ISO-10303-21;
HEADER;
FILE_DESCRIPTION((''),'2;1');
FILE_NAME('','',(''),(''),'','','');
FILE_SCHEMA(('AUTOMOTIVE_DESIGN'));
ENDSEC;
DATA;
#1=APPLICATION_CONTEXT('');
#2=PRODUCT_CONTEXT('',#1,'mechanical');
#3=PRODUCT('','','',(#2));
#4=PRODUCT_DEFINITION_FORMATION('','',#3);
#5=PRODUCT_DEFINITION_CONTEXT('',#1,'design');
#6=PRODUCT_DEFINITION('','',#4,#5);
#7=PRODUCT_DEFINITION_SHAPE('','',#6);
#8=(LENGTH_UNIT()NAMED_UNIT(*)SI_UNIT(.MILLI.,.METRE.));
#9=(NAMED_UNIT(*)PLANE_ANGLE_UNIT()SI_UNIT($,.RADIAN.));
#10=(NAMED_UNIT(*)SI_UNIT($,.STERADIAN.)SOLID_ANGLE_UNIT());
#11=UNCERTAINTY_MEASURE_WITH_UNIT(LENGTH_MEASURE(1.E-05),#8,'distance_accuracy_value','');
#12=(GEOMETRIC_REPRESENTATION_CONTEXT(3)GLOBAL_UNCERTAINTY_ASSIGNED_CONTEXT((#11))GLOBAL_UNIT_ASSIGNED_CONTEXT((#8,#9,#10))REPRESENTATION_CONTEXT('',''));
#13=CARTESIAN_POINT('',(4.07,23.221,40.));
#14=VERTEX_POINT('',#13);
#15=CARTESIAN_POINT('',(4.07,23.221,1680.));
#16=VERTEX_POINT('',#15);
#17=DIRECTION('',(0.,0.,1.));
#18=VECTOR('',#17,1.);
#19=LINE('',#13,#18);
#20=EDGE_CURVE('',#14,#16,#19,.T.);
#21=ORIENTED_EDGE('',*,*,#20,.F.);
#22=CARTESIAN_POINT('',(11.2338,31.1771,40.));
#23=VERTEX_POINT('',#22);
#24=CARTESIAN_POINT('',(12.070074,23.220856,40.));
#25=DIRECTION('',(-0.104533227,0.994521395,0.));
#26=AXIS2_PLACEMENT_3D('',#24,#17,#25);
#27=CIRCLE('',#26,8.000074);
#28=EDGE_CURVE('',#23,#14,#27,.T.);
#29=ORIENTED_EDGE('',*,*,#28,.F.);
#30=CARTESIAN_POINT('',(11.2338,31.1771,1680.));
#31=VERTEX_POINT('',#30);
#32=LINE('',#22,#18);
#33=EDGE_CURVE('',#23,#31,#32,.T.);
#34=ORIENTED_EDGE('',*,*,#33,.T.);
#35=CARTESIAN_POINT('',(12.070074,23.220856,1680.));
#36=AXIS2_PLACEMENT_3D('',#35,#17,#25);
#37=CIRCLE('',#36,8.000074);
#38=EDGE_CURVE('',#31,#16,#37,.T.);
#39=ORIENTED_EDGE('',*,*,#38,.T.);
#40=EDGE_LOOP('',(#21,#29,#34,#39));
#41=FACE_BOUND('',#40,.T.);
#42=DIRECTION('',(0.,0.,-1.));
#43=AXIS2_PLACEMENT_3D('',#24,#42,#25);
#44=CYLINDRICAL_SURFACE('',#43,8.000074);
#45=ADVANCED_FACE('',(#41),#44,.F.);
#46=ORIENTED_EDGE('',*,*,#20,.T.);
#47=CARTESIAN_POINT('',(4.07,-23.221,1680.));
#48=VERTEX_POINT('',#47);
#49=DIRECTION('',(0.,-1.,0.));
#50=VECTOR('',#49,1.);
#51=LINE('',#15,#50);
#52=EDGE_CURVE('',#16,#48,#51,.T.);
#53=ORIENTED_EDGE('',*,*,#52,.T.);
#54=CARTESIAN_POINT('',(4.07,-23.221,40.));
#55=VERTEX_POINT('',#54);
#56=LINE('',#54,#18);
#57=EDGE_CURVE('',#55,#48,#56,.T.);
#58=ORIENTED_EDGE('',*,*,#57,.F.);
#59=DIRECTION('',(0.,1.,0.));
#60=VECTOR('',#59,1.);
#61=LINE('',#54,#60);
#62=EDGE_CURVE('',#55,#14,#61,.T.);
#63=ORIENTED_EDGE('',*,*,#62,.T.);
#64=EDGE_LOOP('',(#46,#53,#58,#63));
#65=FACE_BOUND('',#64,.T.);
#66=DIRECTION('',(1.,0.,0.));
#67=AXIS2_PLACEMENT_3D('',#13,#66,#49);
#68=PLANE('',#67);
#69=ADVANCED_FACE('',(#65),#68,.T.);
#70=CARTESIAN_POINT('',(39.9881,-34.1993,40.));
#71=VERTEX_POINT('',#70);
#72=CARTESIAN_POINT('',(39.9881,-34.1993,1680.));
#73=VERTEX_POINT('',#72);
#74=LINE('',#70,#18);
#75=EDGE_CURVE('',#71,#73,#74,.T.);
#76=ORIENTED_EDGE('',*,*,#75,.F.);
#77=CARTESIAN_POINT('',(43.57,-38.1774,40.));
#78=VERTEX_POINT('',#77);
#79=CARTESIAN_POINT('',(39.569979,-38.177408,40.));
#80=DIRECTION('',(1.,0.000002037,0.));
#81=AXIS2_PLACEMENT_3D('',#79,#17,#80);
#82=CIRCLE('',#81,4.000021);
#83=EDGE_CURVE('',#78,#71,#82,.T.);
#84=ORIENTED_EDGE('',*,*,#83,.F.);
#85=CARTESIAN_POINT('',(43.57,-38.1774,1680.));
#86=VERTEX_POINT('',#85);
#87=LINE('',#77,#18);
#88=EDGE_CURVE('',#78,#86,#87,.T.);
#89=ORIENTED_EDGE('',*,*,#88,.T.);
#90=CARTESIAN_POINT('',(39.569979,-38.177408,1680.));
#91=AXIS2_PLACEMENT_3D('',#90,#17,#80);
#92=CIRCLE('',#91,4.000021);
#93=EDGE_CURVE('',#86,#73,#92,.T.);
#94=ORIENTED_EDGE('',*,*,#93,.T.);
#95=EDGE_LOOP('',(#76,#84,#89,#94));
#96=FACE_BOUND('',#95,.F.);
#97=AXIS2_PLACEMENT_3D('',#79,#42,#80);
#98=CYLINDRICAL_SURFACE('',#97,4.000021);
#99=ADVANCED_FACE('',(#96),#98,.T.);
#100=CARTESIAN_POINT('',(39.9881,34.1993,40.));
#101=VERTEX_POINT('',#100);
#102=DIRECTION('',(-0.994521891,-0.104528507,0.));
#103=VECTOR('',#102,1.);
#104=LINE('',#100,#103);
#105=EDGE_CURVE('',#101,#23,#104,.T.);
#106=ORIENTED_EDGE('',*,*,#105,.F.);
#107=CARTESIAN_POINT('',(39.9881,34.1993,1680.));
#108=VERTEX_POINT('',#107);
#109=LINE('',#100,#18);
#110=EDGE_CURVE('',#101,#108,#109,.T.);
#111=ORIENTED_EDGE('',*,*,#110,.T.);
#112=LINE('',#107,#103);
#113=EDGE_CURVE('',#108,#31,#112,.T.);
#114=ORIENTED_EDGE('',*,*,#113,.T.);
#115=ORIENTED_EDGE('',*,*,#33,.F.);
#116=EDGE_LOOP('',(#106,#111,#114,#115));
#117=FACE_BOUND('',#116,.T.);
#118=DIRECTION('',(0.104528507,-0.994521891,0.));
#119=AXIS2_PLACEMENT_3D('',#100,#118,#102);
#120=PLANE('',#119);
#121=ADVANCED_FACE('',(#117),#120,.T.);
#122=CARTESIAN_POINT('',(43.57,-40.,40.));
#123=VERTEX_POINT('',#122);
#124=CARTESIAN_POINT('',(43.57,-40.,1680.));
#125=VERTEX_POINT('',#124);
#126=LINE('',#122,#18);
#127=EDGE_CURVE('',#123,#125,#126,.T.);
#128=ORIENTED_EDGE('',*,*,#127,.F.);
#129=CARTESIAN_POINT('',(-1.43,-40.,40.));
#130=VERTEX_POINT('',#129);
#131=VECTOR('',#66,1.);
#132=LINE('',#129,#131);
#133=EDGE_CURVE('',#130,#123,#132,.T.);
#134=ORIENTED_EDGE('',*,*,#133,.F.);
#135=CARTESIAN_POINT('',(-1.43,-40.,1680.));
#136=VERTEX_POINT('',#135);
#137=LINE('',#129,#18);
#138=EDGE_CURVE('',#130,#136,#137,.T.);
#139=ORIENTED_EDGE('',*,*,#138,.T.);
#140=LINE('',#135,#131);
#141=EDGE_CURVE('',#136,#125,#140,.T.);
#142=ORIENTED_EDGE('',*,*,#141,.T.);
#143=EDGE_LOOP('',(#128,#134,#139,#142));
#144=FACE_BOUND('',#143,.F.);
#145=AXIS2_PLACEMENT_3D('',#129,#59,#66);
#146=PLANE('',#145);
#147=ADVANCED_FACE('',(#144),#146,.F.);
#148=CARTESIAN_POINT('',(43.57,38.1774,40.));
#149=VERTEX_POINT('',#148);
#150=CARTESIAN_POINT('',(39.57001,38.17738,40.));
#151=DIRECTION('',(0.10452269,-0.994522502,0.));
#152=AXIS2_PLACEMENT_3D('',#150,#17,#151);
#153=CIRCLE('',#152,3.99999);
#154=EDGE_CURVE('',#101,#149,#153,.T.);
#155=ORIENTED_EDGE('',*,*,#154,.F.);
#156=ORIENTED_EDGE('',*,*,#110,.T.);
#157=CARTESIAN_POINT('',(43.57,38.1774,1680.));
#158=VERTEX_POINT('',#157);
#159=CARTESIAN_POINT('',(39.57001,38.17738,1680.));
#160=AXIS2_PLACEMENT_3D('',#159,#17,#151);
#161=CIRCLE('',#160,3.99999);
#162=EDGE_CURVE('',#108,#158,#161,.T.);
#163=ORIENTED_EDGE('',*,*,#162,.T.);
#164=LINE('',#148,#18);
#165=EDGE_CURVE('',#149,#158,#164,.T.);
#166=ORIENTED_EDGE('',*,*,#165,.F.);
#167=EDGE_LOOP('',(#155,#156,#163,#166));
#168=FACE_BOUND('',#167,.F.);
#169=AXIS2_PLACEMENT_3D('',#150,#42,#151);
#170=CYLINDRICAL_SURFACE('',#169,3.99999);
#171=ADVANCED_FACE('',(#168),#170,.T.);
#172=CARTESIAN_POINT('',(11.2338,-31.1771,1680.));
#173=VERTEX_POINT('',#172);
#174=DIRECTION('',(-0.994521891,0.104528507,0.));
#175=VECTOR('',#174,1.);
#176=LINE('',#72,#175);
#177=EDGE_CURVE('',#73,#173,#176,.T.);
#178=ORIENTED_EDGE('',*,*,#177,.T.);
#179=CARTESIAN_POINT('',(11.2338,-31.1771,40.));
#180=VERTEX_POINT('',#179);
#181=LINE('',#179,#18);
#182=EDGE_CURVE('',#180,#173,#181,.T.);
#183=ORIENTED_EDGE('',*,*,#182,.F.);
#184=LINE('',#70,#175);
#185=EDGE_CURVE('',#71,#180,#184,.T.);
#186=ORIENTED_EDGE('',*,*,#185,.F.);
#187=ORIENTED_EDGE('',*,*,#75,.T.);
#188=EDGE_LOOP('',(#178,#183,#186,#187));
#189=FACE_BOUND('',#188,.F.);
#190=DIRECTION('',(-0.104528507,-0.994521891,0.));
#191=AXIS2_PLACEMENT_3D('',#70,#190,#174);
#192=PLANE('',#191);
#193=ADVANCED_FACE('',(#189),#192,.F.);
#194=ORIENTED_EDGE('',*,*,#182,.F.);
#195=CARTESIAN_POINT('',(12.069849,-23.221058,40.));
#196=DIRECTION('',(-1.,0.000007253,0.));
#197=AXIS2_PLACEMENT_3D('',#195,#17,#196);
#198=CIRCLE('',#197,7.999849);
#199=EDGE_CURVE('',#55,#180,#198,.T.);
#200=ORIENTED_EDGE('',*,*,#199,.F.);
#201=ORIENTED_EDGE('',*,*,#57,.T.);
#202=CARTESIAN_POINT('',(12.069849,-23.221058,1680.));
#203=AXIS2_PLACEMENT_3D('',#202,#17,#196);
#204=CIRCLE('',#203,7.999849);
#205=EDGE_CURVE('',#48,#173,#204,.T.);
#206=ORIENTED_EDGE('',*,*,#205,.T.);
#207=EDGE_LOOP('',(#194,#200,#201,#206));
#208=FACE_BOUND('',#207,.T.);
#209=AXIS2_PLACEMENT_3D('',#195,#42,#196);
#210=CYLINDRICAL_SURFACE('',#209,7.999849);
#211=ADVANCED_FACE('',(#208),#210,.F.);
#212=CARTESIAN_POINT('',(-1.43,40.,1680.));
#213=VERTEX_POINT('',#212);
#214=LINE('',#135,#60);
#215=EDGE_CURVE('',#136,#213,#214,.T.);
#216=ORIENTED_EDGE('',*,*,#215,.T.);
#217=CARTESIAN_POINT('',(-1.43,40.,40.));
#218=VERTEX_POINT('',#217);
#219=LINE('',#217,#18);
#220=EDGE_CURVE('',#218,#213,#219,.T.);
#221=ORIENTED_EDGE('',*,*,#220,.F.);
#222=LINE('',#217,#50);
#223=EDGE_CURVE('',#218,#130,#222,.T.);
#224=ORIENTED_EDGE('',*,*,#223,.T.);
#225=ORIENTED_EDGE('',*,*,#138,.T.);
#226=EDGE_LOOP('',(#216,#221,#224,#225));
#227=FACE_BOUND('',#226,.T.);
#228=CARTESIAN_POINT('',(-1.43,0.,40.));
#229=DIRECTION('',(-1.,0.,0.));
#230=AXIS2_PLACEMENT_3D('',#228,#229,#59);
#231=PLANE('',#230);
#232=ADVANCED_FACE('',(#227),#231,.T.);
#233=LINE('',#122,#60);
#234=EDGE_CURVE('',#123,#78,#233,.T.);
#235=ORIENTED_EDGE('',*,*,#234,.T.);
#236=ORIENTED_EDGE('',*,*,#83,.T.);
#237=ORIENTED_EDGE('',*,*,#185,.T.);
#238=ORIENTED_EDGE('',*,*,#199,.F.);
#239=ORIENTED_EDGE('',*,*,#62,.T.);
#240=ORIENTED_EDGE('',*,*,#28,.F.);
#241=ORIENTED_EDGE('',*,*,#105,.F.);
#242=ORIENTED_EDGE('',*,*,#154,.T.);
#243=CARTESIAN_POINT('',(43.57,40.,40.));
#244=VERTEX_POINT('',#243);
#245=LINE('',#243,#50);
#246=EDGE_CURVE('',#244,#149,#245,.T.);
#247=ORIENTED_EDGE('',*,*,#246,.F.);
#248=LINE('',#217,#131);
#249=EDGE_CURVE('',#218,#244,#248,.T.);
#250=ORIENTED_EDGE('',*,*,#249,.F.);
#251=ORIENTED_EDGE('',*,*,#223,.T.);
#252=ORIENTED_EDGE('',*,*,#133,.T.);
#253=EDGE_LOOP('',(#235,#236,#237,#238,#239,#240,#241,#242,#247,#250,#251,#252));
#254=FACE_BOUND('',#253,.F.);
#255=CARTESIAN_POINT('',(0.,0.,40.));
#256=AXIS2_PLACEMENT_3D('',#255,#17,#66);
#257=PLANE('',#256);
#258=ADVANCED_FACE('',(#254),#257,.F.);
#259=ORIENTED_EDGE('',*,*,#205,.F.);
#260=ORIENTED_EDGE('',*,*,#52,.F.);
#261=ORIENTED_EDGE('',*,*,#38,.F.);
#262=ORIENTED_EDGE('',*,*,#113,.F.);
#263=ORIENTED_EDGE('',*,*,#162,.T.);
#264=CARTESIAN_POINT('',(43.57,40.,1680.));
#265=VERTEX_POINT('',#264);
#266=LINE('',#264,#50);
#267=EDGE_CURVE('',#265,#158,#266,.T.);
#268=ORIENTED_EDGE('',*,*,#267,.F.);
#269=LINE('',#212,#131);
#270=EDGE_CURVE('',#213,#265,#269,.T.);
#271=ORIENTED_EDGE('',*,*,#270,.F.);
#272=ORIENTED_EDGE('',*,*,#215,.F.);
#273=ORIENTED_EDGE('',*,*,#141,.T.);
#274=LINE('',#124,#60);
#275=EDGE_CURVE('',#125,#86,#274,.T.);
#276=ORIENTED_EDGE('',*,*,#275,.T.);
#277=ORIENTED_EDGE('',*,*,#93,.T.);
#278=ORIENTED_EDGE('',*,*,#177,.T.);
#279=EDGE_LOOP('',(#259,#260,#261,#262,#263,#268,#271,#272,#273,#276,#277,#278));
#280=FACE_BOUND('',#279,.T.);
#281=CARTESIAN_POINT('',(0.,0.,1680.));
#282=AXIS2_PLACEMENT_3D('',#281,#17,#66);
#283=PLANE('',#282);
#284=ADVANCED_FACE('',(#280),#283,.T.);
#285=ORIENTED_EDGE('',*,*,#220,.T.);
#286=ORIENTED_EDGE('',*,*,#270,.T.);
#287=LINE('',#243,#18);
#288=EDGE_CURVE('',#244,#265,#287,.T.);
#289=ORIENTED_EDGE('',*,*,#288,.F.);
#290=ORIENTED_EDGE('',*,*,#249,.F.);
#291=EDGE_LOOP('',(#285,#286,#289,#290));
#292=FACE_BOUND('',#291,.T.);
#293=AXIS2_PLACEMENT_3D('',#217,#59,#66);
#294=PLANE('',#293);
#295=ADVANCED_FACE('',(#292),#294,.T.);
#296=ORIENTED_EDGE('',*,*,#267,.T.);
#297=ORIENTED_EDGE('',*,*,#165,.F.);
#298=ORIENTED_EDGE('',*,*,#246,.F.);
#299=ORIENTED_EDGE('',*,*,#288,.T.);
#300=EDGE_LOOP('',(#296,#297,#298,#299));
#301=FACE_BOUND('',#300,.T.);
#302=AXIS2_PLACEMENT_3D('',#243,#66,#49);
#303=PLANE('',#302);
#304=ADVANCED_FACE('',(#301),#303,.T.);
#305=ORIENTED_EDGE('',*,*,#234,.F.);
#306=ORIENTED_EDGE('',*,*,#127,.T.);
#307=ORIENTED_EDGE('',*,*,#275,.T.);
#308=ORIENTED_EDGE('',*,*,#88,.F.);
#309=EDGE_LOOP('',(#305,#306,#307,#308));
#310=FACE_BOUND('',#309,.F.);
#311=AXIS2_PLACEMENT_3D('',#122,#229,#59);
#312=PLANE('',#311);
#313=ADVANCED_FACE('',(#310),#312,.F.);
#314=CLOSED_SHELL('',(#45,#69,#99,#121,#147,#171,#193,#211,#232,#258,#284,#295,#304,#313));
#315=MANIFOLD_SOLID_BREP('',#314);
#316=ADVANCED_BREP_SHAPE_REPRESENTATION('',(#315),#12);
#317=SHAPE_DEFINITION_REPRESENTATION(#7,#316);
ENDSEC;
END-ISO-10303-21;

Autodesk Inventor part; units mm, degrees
ref_plane "Начальная плоскость" through (0, 0, 40) normal (0, 0, 1) x (1, 0, 0)
ref_plane "Конечная плоскость" through (0, 0, 1680) normal (0, 0, 1) x (1, 0, 0)
sketch "Эскиз" plane through (0, 0, 0) normal (0, 0, 1) x (1, 0, 0)
  line L0 (-1.43, 0) -> (-1.43, 40)
  line L1 (-1.43, 40) -> (43.57, 40)
  line L2 (43.57, 40) -> (43.57, 38.1774)
  line L3 (39.9881, 34.1993) -> (11.2338, 31.1771)
  line L4 (4.07, 23.221) -> (4.07, 0)
  line L5 (4.07, 0) -> (-1.43, 0) construction
  line L6 (23.82, 40) -> (23.82, 32.5) construction
  line L7 (43.57, 34.5758) -> (43.57, 32.5) construction
  line L8 (43.57, 32.5) -> (23.82, 32.5) construction
  line L9 (0, 15) -> (0, -27) construction
  line L10 (-5.539, 0) -> (16.0067, 0) construction
  line L11 (-1.43, 0) -> (-1.43, -40)
  line L12 (-1.43, -40) -> (43.57, -40)
  line L13 (43.57, -40) -> (43.57, -38.1774)
  line L14 (39.9881, -34.1993) -> (11.2338, -31.1771)
  line L15 (4.07, -23.221) -> (4.07, 0)
  arc A0 (11.2338, 31.1771) -> (4.07, 23.221) centre (12.07, 23.221) ccw
  arc A1 (4.07, -23.221) -> (11.2338, -31.1771) centre (12.07, -23.221) ccw
  arc A2 (39.9881, 34.1993) -> (43.57, 38.1774) centre (39.57, 38.1774) ccw
  arc A3 (43.57, -38.1774) -> (39.9881, -34.1993) centre (39.57, -38.1774) ccw
  line L16 (0, 56) -> (0, -56) construction
  line L17 (-15.5135, 0) -> (54.308, 0) construction
  point P0 (4.07, 30.4242)
  point P1 (43.57, -34.5758)
  point P2 (4.07, -30.4242)
  point P3 (23.82, -40)
  point P4 (23.82, -32.5)
  dimension "d0" = 5.5
  dimension "d1" = 40
  dimension "d2" = 45
  dimension "d3" = 7.5
  dimension "d4" = 19.75
  dimension "d5" = 2.0758
  dimension "d23" = 8
  dimension "d24" = 4
  dimension "d25" = 1.43
extrude "Тело" add sketch "Эскиз" along normal up to surface (1640 mm away) from surface at 40
sketch "Sketch3" plane through (0, 0, 0) normal (0, 0, 1) x (1, 0, 0)
  line L0 (0, 0) -> (10, 0)
ref_plane "Work Plane3" through (0, 0, 0) normal (0, -1, 0) x (1, 0, 0)
sketch "Sketch4" plane through (0, 0, 0) normal (0, -1, 0) x (1, 0, 0)
  line L0 (-2, 40) -> (12, 40)
  line L1 (-2, 1680) -> (12, 1680)
  dimension "d29" = 1640
ref_plane "РабПлоскость4" through (-1.43, 1750, 40) normal (0, 0, -1) x (-1, 0, 0)
split "Разделение1" plane through (-1.43, 1750, 40) removes the side toward (0, 0, -1)
ref_plane "РабПлоскость5" through (-1.43, -1320, 1680) normal (0, 0, 1) x (1, 0, 0)
split "Разделение2" plane through (-1.43, -1320, 1680) removes the side toward (0, 0, 1)
equation "\"d0\" = G_T"
equation "\"d1\" = 0.5 * G_H"
equation "\"d2\" = G_W"
equation "\"d3\" = G_T1"
equation "\"d4\" = G_C"
equation "\"d23\" = G_IR"
equation "\"d24\" = G_ER"
equation "\"d25\" = ex"
equation "\"d6\" = G_L"
equation "\"G_W\" = 45"
equation "\"G_T\" = 5.5"
equation "\"G_T1\" = 7.5"
equation "\"G_NG\" = 0.105104"
equation "\"G_ER\" = 4"
equation "\"G_IR\" = 8"
equation "\"G_C\" = 19.75"
equation "\"G_L\" = d29"
equation "\"ex\" = 1.43"
equation "\"G_H\" = 80"
properties part number "ISO 657/11 - CH 80 x 8 - 1640" material "Сталь, мягкая"
